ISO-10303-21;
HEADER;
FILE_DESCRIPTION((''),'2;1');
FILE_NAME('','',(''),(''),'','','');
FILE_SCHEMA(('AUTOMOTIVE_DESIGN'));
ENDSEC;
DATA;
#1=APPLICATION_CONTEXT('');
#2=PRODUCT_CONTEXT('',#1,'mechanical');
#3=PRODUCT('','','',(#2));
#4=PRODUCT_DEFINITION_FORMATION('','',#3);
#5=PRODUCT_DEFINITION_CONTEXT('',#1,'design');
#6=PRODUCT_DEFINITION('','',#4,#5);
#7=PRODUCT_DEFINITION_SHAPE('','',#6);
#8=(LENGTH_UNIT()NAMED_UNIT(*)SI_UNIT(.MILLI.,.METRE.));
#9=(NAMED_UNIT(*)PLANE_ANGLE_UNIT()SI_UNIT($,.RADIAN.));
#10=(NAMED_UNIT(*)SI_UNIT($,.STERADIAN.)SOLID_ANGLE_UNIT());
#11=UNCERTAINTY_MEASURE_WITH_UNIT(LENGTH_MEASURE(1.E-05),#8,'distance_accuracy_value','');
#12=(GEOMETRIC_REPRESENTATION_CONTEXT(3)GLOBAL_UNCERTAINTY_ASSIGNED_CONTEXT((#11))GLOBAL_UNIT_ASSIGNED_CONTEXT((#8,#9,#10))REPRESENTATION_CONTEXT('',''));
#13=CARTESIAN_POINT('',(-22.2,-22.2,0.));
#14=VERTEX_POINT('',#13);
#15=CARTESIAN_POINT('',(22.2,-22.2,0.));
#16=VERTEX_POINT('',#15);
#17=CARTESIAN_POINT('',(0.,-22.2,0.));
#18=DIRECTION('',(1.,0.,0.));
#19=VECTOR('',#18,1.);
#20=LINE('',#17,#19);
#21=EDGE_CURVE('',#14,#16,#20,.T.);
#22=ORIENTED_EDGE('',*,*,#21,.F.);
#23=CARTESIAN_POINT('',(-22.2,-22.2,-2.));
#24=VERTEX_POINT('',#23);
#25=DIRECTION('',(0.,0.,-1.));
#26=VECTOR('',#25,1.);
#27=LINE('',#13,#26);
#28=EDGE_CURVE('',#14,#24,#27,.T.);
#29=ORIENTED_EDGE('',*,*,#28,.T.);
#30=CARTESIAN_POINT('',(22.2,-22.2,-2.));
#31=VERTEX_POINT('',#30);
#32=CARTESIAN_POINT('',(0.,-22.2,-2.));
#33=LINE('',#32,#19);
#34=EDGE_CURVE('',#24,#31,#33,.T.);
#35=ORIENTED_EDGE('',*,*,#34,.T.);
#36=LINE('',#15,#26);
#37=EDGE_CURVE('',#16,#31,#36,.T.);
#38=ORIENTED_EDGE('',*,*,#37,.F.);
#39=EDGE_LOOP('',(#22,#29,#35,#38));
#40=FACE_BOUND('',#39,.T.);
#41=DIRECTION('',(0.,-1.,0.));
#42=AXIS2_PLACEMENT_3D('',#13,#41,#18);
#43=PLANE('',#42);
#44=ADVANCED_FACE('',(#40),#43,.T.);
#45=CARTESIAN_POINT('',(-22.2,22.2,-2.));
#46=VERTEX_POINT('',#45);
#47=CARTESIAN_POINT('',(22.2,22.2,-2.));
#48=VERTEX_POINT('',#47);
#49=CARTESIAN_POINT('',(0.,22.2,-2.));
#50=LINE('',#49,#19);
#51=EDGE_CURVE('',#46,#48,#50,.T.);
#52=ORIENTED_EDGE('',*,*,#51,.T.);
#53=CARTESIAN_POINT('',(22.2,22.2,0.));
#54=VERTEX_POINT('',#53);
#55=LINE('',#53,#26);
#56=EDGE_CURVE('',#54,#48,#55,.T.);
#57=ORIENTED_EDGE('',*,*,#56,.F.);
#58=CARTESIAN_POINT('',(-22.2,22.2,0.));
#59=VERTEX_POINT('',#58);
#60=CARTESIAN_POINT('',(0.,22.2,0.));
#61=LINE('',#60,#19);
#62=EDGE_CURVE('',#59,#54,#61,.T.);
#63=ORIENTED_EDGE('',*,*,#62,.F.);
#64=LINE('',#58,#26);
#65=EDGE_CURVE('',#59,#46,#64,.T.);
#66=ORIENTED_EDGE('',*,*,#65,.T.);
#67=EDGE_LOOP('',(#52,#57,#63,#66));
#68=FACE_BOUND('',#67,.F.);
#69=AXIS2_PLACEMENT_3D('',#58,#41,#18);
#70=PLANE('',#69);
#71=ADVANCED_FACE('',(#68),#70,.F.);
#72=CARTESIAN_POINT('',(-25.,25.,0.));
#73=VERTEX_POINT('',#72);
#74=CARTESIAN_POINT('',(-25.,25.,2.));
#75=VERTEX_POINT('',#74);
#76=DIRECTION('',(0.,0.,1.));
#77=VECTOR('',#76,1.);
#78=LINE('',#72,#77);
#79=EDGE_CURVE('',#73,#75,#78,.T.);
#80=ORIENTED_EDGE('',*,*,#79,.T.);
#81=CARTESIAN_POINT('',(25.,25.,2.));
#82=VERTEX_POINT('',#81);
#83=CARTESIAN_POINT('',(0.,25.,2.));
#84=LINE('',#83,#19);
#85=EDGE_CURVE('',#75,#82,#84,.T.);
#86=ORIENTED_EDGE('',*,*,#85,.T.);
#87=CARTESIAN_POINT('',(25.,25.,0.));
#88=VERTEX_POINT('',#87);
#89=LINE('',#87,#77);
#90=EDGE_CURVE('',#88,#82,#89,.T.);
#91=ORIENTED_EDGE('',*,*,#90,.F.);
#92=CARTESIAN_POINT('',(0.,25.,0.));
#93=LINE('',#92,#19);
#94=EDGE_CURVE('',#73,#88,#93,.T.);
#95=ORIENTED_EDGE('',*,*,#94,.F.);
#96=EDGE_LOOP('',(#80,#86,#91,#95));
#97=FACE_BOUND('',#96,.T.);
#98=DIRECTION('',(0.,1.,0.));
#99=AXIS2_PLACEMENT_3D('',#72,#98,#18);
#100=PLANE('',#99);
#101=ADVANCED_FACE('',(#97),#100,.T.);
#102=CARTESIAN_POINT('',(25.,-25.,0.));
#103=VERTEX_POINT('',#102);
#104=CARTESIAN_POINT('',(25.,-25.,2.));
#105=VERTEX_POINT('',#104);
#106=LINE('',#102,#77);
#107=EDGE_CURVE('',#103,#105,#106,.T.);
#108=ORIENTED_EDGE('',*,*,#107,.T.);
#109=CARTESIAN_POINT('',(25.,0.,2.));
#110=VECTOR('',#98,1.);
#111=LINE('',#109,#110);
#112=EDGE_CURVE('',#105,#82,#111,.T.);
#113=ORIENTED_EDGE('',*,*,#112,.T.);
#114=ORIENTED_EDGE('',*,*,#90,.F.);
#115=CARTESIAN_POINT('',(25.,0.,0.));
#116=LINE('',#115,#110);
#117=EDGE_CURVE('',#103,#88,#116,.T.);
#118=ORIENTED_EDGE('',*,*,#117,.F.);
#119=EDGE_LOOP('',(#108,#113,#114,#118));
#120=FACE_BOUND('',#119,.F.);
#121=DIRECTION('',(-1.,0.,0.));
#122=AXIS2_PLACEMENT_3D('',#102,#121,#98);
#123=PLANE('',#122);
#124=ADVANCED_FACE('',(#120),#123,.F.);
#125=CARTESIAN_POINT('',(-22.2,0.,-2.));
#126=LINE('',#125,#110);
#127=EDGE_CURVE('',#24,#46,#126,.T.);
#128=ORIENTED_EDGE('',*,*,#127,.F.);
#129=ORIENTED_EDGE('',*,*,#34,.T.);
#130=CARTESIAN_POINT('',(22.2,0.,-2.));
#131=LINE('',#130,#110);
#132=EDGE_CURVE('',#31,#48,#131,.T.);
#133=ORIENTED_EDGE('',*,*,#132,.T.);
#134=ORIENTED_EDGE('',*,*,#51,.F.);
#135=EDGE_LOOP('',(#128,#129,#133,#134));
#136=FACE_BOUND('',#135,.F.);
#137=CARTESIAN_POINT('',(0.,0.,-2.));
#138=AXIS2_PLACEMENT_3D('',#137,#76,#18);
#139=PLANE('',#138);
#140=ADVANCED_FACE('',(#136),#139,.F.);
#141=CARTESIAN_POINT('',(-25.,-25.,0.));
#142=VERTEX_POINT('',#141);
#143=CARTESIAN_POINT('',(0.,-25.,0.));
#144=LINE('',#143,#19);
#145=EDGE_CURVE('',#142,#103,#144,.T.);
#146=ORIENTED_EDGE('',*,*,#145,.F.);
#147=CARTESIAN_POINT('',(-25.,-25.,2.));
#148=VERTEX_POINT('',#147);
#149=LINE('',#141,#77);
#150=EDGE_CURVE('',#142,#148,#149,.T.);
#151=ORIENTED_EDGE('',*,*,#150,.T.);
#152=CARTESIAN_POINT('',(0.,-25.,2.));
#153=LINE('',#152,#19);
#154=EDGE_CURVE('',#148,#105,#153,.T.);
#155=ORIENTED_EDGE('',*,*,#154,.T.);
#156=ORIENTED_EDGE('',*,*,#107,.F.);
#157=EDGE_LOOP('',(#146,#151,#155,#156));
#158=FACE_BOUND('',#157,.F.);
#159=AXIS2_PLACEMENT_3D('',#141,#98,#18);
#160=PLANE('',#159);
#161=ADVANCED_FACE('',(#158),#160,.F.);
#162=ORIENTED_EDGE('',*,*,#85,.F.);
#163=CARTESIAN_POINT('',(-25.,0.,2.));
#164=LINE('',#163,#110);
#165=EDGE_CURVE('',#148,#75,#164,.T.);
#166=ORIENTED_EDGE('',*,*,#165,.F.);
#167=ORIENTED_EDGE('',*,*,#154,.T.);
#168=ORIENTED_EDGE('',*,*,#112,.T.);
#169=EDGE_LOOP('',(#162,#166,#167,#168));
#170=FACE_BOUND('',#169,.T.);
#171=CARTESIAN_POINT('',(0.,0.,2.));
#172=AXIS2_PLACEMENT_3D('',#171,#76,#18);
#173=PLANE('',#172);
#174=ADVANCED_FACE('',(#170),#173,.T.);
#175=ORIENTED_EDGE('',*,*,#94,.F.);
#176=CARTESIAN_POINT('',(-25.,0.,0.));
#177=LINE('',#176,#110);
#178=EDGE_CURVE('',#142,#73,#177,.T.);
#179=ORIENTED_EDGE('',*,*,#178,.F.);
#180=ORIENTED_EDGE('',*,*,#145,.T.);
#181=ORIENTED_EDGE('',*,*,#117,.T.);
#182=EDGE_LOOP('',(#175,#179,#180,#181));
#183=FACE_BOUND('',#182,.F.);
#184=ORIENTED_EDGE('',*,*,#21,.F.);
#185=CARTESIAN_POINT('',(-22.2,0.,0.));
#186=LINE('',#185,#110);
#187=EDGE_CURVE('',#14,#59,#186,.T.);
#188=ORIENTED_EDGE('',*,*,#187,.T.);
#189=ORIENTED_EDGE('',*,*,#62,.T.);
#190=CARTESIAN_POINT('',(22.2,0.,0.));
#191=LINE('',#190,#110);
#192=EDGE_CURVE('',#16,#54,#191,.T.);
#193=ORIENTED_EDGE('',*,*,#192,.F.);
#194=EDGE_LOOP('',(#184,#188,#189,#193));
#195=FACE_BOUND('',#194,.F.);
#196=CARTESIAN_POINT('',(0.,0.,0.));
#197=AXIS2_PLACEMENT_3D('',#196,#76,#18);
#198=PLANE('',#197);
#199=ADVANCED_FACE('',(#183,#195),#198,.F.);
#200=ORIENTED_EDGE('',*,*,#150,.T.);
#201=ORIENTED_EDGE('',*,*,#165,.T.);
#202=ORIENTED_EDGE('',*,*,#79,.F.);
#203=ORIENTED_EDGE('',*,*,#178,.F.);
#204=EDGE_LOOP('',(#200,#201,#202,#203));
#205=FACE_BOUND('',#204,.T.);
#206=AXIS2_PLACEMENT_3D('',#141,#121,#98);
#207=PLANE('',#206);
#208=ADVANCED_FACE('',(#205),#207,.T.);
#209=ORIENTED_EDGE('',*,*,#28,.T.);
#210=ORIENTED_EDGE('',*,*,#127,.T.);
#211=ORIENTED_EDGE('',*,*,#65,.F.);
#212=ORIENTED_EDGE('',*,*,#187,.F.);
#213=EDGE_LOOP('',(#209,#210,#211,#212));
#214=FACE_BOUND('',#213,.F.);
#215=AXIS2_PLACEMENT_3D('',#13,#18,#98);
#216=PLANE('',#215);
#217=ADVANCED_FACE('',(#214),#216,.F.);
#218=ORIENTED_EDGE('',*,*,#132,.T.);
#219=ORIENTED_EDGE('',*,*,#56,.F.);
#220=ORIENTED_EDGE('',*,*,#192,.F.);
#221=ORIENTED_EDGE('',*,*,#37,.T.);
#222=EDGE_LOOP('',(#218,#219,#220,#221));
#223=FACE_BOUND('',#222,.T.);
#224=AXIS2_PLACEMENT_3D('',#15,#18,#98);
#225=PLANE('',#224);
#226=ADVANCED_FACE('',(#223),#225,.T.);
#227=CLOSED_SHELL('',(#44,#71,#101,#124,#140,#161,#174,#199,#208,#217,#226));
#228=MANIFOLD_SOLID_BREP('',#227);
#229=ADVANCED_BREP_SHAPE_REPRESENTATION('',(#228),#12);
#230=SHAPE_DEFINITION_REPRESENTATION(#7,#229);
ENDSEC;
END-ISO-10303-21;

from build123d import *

# Parameters (mm, degrees)
F0_W      = 44.4
F0_H      = 44.4
F1_DEPTH  = 2
F0_W_2    = 50
F0_H_2    = 50
F1_FACE_W = 44.4
F1_FACE_H = 44.4
F2_DEPTH  = 2


with BuildPart() as f1:
    # F0 (on Top) → F1 (new body)
    with BuildSketch(Plane.XY):
        Rectangle(F0_W, F0_H)
    extrude(amount=-F1_DEPTH)

    # F0 (on Top) + F1_face (on face) → F2 (join)
    with BuildSketch(Plane.XY):
        Rectangle(F0_W_2, F0_H_2)
        Rectangle(F0_W, F0_H, mode=Mode.SUBTRACT)
    with BuildSketch(Plane.XY):
        Rectangle(F1_FACE_W, F1_FACE_H)
    extrude(amount=F2_DEPTH)


solid = f1.part
